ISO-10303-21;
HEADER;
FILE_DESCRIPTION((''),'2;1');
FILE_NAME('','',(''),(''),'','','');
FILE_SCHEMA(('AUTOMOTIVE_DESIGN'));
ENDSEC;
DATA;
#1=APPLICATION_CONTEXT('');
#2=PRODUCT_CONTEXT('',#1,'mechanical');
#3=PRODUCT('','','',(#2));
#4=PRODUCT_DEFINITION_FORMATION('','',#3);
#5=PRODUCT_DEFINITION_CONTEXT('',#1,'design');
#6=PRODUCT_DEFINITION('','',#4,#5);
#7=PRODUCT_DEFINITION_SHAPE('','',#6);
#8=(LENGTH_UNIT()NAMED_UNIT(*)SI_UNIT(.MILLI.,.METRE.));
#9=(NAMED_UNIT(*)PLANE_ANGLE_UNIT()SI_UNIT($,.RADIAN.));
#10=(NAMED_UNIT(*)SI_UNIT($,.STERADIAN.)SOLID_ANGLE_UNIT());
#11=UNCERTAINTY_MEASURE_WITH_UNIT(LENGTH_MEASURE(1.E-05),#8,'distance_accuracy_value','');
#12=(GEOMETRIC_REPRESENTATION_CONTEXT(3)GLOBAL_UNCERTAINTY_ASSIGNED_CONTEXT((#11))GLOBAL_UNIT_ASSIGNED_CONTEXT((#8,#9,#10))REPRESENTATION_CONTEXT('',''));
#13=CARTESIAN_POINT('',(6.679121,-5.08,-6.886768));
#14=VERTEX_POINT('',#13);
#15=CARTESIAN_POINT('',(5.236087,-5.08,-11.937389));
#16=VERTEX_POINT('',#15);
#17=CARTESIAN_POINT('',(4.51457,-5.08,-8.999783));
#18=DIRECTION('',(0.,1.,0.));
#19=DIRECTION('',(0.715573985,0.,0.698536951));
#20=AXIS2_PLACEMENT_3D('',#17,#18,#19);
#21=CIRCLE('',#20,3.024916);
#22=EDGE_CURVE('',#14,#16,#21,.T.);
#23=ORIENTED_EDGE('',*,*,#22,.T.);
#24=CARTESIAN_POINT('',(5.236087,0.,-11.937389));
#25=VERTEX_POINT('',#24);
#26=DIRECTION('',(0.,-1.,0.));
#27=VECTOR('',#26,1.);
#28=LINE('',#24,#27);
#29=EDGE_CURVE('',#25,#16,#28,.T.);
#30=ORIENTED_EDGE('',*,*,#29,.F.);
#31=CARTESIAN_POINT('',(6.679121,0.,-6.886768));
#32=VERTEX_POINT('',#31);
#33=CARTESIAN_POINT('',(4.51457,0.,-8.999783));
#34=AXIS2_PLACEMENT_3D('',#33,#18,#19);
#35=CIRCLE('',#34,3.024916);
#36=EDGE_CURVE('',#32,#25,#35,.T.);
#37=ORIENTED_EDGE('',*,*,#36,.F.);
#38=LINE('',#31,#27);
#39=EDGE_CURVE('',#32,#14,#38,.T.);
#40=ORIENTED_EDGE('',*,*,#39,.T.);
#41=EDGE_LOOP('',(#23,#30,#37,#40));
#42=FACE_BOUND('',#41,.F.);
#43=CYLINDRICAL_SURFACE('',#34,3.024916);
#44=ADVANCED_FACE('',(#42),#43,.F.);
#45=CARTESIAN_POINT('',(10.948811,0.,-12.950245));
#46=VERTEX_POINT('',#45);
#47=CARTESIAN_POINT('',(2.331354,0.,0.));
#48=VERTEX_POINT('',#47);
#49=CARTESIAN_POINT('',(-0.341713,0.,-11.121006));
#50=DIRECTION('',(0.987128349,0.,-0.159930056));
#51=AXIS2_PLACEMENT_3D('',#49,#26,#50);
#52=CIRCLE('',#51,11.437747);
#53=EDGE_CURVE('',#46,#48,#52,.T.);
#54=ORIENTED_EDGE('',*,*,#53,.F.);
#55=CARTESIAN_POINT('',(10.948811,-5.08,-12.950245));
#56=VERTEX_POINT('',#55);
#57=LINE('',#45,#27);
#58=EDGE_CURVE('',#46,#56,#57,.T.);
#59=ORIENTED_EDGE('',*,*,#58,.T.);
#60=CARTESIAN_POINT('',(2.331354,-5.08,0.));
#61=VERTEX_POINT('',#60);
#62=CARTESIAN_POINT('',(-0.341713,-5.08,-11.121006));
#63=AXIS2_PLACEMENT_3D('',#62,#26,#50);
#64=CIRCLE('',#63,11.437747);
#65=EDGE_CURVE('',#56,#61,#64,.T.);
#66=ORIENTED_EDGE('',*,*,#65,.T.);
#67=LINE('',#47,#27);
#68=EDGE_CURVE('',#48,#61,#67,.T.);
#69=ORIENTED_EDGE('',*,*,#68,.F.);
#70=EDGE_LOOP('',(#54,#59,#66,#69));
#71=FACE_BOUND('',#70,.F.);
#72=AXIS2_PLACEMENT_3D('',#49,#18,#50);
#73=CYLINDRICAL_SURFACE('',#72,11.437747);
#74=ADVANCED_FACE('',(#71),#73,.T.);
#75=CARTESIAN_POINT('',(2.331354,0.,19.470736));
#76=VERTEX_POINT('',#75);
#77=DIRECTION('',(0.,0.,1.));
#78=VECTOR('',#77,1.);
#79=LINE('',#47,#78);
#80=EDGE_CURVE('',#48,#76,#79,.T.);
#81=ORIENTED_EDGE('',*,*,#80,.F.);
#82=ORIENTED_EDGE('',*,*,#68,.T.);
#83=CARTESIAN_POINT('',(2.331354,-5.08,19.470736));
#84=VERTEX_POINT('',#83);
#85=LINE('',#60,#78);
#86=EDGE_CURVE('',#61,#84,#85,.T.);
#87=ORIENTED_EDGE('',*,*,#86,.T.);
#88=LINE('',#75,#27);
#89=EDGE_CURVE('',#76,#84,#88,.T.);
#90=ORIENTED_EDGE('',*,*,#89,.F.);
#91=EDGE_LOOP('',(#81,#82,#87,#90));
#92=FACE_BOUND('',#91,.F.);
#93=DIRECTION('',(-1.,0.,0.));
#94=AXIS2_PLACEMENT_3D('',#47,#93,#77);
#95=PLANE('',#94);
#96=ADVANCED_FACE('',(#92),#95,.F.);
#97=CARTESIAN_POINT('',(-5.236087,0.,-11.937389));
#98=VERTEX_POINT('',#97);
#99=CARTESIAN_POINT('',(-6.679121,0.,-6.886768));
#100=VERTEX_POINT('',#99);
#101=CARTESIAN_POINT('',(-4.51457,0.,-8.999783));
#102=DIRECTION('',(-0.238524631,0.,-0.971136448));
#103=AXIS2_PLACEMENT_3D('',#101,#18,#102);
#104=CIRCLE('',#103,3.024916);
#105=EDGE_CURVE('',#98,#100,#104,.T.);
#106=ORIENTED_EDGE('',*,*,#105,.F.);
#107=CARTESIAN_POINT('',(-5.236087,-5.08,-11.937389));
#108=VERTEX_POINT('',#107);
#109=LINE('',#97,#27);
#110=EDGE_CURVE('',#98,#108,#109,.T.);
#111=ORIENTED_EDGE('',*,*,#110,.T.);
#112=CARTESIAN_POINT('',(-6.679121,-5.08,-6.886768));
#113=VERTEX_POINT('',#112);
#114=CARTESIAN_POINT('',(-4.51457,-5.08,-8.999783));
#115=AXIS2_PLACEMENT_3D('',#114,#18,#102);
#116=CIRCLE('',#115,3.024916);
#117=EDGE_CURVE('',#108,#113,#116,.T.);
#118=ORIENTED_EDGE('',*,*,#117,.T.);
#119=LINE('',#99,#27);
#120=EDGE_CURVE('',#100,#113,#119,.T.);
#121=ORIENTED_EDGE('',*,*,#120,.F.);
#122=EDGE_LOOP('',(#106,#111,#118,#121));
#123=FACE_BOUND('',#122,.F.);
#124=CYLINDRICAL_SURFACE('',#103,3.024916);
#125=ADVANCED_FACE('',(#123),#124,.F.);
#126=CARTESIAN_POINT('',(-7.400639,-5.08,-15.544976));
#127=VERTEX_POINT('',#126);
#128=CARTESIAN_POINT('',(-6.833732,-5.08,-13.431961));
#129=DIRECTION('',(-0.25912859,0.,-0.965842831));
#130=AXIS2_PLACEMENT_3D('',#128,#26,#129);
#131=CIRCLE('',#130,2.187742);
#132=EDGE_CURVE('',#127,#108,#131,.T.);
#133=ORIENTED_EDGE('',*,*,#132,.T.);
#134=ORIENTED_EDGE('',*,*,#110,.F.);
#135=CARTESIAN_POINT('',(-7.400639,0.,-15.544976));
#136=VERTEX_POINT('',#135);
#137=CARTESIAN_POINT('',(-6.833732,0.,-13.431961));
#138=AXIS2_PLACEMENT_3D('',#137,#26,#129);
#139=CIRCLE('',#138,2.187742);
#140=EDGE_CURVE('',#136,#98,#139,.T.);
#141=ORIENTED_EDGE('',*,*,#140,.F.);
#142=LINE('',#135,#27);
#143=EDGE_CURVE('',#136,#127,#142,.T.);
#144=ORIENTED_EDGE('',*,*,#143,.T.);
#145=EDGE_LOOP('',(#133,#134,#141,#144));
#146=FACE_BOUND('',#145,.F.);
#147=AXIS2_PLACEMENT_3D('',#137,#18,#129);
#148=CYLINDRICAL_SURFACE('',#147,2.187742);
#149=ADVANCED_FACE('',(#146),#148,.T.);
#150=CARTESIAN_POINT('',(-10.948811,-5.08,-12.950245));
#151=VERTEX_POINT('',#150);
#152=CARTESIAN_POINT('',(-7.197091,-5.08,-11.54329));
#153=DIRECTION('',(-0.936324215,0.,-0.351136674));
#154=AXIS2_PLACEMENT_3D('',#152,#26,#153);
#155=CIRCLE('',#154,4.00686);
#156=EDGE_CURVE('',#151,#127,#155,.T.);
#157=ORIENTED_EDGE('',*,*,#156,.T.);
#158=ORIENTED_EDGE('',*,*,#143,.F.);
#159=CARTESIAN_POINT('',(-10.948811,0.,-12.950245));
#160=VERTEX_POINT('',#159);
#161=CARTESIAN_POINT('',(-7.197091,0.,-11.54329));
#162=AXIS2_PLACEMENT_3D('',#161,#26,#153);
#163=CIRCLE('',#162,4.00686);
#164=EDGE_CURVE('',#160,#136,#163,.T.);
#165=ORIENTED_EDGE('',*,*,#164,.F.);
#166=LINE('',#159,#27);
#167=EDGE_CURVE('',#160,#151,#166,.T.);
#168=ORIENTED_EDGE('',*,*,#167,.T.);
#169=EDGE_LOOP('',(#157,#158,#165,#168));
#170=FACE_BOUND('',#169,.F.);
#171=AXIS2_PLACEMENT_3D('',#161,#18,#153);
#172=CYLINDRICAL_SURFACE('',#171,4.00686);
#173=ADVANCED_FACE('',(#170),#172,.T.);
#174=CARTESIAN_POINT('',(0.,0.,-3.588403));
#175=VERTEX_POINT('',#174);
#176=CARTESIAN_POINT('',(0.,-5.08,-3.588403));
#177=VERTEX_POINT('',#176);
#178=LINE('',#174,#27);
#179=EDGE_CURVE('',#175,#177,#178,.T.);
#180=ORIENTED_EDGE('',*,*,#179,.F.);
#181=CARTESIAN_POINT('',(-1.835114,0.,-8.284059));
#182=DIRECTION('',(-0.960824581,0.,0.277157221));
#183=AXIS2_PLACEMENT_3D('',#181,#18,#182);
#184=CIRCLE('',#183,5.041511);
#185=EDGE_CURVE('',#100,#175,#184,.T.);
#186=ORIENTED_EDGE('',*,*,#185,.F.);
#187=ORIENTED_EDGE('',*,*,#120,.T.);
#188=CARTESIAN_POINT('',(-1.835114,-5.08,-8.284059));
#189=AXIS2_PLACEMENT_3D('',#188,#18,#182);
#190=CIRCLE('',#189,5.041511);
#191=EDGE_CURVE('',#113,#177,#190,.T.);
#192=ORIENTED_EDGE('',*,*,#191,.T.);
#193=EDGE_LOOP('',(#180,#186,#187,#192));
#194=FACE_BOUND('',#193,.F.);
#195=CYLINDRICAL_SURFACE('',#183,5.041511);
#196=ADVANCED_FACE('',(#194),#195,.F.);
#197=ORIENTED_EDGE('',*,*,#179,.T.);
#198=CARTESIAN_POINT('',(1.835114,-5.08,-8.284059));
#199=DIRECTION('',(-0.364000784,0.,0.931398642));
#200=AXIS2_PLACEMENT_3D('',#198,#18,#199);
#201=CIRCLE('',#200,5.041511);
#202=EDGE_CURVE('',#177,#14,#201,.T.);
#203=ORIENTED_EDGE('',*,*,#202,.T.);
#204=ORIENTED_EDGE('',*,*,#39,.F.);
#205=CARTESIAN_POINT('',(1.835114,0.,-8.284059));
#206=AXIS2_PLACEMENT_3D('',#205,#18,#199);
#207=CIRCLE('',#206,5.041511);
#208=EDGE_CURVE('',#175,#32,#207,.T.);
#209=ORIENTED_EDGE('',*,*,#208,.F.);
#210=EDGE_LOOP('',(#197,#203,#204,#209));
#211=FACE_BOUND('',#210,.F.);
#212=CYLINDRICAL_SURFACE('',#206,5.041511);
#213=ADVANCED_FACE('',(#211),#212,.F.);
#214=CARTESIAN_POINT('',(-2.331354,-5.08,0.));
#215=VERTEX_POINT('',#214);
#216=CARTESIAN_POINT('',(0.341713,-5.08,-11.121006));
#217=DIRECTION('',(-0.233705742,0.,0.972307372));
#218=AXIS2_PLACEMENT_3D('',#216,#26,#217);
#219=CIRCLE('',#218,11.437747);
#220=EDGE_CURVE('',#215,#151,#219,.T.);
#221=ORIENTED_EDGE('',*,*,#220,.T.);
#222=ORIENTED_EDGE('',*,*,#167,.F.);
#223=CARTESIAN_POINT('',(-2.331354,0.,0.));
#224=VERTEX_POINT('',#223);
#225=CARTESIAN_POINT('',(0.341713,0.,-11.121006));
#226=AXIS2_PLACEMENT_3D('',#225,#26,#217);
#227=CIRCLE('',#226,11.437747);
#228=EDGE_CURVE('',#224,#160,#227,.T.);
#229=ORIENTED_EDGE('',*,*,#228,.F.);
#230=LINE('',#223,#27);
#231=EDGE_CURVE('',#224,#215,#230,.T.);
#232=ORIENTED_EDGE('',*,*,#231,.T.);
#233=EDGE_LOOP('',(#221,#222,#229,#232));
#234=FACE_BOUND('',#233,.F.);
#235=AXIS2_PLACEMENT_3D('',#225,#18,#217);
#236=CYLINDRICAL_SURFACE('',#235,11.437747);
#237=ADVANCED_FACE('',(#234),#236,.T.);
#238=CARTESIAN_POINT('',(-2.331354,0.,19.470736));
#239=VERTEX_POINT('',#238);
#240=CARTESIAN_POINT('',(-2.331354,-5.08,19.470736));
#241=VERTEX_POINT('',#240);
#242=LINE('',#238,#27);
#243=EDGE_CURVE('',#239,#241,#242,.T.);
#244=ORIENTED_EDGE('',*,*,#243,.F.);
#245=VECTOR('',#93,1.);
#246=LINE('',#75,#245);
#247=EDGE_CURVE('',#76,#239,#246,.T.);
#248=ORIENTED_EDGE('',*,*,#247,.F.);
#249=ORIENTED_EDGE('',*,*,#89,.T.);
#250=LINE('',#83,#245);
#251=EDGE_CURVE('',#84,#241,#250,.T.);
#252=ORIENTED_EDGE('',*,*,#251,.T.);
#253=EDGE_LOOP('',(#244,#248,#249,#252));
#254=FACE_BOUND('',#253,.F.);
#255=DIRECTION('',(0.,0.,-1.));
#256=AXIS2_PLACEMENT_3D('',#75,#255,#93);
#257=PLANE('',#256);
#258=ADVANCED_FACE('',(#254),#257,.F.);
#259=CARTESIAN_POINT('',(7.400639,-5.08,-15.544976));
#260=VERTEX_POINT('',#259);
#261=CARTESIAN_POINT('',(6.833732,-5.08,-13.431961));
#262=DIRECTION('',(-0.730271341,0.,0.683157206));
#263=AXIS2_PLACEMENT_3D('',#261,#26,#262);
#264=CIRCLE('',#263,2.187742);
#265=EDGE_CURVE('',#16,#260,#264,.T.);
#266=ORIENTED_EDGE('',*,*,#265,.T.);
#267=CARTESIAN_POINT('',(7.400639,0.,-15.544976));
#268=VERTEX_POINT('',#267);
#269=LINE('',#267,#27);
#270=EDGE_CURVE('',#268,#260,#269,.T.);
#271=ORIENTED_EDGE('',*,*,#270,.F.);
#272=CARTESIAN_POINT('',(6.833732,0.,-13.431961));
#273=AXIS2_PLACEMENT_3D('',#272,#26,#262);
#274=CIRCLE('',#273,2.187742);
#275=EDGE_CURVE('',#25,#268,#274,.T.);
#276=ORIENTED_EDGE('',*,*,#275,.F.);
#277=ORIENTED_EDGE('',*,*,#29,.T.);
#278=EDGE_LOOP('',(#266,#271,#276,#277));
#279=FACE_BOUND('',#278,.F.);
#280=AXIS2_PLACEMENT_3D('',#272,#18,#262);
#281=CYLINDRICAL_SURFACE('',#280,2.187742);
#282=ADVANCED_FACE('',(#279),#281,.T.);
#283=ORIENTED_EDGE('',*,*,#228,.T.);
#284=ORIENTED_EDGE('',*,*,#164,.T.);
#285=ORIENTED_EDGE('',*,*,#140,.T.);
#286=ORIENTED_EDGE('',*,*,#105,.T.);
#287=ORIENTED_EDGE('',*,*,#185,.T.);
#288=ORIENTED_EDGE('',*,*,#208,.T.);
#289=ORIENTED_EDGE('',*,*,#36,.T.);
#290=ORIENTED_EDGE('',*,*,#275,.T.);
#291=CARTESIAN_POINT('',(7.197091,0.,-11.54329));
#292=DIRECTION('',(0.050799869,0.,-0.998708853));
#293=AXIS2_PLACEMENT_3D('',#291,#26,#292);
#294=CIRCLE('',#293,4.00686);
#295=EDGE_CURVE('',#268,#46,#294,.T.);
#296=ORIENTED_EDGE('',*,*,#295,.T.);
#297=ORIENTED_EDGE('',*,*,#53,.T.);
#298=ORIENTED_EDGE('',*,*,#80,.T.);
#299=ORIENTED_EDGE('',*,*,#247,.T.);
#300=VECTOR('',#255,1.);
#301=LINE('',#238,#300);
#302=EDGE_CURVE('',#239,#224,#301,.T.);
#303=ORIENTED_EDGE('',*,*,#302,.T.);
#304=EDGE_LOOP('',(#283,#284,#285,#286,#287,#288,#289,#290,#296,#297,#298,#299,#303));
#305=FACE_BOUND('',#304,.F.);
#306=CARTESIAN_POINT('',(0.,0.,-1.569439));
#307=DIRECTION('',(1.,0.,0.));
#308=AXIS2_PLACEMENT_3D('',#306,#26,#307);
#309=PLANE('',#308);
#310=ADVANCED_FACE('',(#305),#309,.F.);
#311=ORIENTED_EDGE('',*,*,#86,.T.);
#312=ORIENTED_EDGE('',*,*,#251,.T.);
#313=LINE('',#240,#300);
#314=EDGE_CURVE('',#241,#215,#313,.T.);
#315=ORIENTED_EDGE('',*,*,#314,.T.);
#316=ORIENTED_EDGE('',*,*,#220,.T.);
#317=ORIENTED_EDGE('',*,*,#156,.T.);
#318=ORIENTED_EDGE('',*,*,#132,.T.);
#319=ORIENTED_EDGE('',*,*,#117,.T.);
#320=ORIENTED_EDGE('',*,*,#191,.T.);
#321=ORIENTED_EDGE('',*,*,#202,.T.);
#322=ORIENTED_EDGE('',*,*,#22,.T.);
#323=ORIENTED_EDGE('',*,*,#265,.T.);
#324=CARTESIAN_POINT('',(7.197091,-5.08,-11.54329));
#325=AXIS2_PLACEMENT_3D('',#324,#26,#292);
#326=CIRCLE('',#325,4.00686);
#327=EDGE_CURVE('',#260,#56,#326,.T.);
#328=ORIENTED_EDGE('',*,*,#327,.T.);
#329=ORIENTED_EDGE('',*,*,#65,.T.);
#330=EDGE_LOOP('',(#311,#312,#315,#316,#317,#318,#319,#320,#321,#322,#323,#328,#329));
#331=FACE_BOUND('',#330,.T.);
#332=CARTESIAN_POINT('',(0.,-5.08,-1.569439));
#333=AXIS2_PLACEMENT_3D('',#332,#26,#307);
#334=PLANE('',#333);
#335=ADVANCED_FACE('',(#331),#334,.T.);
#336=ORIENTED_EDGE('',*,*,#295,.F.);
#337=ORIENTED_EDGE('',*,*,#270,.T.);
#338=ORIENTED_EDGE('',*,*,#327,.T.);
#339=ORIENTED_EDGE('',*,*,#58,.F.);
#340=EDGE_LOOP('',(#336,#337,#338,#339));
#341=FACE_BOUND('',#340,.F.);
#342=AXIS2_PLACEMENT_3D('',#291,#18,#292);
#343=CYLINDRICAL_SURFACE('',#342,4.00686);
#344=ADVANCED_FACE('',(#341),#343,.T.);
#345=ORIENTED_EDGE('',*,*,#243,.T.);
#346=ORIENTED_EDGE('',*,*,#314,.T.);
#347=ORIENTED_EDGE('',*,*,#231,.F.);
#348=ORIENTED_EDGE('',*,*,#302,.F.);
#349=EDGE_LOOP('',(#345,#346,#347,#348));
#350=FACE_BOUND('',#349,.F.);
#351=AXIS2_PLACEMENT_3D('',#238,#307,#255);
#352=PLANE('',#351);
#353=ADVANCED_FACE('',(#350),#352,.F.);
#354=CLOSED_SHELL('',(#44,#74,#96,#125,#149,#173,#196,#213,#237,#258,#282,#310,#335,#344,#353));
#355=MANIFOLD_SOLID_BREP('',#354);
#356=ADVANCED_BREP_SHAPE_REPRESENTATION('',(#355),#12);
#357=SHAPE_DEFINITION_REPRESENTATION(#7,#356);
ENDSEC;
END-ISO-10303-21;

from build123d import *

# Parameters (mm, degrees)
F1_DEPTH = 5.08


with BuildPart() as f1:
    # F0 (on Front) → F1 (new body)
    with BuildSketch(Plane.XZ):
        with BuildLine():
            Line((-2.331354, 19.470736), (-2.331354, 0))
            ThreePointArc((-2.331354, 0), (-9.180507, -4.784652), (-10.948811, -12.950245))
            ThreePointArc((-10.948811, -12.950245), (-9.562296, -14.777595), (-7.400639, -15.544976))
            ThreePointArc((-7.400639, -15.544976), (-4.957759, -14.557545), (-5.236087, -11.937389))
            ThreePointArc((-5.236087, -11.937389), (-7.423099, -9.830791), (-6.679121, -6.886768))
            ThreePointArc((-6.679121, -6.886768), (-4.067414, -3.763698), (0, -3.588403))
            ThreePointArc((0, -3.588403), (4.067414, -3.763698), (6.679121, -6.886768))
            ThreePointArc((6.679121, -6.886768), (7.423099, -9.830791), (5.236087, -11.937389))
            ThreePointArc((5.236087, -11.937389), (4.957759, -14.557545), (7.400639, -15.544976))
            ThreePointArc((7.400639, -15.544976), (9.562296, -14.777595), (10.948811, -12.950245))
            ThreePointArc((10.948811, -12.950245), (9.180507, -4.784652), (2.331354, 0))
            Line((2.331354, 0), (2.331354, 19.470736))
            Line((2.331354, 19.470736), (0, 19.470736))
            Line((0, 19.470736), (-2.331354, 19.470736))
        make_face()
    extrude(amount=F1_DEPTH)


solid = f1.part
